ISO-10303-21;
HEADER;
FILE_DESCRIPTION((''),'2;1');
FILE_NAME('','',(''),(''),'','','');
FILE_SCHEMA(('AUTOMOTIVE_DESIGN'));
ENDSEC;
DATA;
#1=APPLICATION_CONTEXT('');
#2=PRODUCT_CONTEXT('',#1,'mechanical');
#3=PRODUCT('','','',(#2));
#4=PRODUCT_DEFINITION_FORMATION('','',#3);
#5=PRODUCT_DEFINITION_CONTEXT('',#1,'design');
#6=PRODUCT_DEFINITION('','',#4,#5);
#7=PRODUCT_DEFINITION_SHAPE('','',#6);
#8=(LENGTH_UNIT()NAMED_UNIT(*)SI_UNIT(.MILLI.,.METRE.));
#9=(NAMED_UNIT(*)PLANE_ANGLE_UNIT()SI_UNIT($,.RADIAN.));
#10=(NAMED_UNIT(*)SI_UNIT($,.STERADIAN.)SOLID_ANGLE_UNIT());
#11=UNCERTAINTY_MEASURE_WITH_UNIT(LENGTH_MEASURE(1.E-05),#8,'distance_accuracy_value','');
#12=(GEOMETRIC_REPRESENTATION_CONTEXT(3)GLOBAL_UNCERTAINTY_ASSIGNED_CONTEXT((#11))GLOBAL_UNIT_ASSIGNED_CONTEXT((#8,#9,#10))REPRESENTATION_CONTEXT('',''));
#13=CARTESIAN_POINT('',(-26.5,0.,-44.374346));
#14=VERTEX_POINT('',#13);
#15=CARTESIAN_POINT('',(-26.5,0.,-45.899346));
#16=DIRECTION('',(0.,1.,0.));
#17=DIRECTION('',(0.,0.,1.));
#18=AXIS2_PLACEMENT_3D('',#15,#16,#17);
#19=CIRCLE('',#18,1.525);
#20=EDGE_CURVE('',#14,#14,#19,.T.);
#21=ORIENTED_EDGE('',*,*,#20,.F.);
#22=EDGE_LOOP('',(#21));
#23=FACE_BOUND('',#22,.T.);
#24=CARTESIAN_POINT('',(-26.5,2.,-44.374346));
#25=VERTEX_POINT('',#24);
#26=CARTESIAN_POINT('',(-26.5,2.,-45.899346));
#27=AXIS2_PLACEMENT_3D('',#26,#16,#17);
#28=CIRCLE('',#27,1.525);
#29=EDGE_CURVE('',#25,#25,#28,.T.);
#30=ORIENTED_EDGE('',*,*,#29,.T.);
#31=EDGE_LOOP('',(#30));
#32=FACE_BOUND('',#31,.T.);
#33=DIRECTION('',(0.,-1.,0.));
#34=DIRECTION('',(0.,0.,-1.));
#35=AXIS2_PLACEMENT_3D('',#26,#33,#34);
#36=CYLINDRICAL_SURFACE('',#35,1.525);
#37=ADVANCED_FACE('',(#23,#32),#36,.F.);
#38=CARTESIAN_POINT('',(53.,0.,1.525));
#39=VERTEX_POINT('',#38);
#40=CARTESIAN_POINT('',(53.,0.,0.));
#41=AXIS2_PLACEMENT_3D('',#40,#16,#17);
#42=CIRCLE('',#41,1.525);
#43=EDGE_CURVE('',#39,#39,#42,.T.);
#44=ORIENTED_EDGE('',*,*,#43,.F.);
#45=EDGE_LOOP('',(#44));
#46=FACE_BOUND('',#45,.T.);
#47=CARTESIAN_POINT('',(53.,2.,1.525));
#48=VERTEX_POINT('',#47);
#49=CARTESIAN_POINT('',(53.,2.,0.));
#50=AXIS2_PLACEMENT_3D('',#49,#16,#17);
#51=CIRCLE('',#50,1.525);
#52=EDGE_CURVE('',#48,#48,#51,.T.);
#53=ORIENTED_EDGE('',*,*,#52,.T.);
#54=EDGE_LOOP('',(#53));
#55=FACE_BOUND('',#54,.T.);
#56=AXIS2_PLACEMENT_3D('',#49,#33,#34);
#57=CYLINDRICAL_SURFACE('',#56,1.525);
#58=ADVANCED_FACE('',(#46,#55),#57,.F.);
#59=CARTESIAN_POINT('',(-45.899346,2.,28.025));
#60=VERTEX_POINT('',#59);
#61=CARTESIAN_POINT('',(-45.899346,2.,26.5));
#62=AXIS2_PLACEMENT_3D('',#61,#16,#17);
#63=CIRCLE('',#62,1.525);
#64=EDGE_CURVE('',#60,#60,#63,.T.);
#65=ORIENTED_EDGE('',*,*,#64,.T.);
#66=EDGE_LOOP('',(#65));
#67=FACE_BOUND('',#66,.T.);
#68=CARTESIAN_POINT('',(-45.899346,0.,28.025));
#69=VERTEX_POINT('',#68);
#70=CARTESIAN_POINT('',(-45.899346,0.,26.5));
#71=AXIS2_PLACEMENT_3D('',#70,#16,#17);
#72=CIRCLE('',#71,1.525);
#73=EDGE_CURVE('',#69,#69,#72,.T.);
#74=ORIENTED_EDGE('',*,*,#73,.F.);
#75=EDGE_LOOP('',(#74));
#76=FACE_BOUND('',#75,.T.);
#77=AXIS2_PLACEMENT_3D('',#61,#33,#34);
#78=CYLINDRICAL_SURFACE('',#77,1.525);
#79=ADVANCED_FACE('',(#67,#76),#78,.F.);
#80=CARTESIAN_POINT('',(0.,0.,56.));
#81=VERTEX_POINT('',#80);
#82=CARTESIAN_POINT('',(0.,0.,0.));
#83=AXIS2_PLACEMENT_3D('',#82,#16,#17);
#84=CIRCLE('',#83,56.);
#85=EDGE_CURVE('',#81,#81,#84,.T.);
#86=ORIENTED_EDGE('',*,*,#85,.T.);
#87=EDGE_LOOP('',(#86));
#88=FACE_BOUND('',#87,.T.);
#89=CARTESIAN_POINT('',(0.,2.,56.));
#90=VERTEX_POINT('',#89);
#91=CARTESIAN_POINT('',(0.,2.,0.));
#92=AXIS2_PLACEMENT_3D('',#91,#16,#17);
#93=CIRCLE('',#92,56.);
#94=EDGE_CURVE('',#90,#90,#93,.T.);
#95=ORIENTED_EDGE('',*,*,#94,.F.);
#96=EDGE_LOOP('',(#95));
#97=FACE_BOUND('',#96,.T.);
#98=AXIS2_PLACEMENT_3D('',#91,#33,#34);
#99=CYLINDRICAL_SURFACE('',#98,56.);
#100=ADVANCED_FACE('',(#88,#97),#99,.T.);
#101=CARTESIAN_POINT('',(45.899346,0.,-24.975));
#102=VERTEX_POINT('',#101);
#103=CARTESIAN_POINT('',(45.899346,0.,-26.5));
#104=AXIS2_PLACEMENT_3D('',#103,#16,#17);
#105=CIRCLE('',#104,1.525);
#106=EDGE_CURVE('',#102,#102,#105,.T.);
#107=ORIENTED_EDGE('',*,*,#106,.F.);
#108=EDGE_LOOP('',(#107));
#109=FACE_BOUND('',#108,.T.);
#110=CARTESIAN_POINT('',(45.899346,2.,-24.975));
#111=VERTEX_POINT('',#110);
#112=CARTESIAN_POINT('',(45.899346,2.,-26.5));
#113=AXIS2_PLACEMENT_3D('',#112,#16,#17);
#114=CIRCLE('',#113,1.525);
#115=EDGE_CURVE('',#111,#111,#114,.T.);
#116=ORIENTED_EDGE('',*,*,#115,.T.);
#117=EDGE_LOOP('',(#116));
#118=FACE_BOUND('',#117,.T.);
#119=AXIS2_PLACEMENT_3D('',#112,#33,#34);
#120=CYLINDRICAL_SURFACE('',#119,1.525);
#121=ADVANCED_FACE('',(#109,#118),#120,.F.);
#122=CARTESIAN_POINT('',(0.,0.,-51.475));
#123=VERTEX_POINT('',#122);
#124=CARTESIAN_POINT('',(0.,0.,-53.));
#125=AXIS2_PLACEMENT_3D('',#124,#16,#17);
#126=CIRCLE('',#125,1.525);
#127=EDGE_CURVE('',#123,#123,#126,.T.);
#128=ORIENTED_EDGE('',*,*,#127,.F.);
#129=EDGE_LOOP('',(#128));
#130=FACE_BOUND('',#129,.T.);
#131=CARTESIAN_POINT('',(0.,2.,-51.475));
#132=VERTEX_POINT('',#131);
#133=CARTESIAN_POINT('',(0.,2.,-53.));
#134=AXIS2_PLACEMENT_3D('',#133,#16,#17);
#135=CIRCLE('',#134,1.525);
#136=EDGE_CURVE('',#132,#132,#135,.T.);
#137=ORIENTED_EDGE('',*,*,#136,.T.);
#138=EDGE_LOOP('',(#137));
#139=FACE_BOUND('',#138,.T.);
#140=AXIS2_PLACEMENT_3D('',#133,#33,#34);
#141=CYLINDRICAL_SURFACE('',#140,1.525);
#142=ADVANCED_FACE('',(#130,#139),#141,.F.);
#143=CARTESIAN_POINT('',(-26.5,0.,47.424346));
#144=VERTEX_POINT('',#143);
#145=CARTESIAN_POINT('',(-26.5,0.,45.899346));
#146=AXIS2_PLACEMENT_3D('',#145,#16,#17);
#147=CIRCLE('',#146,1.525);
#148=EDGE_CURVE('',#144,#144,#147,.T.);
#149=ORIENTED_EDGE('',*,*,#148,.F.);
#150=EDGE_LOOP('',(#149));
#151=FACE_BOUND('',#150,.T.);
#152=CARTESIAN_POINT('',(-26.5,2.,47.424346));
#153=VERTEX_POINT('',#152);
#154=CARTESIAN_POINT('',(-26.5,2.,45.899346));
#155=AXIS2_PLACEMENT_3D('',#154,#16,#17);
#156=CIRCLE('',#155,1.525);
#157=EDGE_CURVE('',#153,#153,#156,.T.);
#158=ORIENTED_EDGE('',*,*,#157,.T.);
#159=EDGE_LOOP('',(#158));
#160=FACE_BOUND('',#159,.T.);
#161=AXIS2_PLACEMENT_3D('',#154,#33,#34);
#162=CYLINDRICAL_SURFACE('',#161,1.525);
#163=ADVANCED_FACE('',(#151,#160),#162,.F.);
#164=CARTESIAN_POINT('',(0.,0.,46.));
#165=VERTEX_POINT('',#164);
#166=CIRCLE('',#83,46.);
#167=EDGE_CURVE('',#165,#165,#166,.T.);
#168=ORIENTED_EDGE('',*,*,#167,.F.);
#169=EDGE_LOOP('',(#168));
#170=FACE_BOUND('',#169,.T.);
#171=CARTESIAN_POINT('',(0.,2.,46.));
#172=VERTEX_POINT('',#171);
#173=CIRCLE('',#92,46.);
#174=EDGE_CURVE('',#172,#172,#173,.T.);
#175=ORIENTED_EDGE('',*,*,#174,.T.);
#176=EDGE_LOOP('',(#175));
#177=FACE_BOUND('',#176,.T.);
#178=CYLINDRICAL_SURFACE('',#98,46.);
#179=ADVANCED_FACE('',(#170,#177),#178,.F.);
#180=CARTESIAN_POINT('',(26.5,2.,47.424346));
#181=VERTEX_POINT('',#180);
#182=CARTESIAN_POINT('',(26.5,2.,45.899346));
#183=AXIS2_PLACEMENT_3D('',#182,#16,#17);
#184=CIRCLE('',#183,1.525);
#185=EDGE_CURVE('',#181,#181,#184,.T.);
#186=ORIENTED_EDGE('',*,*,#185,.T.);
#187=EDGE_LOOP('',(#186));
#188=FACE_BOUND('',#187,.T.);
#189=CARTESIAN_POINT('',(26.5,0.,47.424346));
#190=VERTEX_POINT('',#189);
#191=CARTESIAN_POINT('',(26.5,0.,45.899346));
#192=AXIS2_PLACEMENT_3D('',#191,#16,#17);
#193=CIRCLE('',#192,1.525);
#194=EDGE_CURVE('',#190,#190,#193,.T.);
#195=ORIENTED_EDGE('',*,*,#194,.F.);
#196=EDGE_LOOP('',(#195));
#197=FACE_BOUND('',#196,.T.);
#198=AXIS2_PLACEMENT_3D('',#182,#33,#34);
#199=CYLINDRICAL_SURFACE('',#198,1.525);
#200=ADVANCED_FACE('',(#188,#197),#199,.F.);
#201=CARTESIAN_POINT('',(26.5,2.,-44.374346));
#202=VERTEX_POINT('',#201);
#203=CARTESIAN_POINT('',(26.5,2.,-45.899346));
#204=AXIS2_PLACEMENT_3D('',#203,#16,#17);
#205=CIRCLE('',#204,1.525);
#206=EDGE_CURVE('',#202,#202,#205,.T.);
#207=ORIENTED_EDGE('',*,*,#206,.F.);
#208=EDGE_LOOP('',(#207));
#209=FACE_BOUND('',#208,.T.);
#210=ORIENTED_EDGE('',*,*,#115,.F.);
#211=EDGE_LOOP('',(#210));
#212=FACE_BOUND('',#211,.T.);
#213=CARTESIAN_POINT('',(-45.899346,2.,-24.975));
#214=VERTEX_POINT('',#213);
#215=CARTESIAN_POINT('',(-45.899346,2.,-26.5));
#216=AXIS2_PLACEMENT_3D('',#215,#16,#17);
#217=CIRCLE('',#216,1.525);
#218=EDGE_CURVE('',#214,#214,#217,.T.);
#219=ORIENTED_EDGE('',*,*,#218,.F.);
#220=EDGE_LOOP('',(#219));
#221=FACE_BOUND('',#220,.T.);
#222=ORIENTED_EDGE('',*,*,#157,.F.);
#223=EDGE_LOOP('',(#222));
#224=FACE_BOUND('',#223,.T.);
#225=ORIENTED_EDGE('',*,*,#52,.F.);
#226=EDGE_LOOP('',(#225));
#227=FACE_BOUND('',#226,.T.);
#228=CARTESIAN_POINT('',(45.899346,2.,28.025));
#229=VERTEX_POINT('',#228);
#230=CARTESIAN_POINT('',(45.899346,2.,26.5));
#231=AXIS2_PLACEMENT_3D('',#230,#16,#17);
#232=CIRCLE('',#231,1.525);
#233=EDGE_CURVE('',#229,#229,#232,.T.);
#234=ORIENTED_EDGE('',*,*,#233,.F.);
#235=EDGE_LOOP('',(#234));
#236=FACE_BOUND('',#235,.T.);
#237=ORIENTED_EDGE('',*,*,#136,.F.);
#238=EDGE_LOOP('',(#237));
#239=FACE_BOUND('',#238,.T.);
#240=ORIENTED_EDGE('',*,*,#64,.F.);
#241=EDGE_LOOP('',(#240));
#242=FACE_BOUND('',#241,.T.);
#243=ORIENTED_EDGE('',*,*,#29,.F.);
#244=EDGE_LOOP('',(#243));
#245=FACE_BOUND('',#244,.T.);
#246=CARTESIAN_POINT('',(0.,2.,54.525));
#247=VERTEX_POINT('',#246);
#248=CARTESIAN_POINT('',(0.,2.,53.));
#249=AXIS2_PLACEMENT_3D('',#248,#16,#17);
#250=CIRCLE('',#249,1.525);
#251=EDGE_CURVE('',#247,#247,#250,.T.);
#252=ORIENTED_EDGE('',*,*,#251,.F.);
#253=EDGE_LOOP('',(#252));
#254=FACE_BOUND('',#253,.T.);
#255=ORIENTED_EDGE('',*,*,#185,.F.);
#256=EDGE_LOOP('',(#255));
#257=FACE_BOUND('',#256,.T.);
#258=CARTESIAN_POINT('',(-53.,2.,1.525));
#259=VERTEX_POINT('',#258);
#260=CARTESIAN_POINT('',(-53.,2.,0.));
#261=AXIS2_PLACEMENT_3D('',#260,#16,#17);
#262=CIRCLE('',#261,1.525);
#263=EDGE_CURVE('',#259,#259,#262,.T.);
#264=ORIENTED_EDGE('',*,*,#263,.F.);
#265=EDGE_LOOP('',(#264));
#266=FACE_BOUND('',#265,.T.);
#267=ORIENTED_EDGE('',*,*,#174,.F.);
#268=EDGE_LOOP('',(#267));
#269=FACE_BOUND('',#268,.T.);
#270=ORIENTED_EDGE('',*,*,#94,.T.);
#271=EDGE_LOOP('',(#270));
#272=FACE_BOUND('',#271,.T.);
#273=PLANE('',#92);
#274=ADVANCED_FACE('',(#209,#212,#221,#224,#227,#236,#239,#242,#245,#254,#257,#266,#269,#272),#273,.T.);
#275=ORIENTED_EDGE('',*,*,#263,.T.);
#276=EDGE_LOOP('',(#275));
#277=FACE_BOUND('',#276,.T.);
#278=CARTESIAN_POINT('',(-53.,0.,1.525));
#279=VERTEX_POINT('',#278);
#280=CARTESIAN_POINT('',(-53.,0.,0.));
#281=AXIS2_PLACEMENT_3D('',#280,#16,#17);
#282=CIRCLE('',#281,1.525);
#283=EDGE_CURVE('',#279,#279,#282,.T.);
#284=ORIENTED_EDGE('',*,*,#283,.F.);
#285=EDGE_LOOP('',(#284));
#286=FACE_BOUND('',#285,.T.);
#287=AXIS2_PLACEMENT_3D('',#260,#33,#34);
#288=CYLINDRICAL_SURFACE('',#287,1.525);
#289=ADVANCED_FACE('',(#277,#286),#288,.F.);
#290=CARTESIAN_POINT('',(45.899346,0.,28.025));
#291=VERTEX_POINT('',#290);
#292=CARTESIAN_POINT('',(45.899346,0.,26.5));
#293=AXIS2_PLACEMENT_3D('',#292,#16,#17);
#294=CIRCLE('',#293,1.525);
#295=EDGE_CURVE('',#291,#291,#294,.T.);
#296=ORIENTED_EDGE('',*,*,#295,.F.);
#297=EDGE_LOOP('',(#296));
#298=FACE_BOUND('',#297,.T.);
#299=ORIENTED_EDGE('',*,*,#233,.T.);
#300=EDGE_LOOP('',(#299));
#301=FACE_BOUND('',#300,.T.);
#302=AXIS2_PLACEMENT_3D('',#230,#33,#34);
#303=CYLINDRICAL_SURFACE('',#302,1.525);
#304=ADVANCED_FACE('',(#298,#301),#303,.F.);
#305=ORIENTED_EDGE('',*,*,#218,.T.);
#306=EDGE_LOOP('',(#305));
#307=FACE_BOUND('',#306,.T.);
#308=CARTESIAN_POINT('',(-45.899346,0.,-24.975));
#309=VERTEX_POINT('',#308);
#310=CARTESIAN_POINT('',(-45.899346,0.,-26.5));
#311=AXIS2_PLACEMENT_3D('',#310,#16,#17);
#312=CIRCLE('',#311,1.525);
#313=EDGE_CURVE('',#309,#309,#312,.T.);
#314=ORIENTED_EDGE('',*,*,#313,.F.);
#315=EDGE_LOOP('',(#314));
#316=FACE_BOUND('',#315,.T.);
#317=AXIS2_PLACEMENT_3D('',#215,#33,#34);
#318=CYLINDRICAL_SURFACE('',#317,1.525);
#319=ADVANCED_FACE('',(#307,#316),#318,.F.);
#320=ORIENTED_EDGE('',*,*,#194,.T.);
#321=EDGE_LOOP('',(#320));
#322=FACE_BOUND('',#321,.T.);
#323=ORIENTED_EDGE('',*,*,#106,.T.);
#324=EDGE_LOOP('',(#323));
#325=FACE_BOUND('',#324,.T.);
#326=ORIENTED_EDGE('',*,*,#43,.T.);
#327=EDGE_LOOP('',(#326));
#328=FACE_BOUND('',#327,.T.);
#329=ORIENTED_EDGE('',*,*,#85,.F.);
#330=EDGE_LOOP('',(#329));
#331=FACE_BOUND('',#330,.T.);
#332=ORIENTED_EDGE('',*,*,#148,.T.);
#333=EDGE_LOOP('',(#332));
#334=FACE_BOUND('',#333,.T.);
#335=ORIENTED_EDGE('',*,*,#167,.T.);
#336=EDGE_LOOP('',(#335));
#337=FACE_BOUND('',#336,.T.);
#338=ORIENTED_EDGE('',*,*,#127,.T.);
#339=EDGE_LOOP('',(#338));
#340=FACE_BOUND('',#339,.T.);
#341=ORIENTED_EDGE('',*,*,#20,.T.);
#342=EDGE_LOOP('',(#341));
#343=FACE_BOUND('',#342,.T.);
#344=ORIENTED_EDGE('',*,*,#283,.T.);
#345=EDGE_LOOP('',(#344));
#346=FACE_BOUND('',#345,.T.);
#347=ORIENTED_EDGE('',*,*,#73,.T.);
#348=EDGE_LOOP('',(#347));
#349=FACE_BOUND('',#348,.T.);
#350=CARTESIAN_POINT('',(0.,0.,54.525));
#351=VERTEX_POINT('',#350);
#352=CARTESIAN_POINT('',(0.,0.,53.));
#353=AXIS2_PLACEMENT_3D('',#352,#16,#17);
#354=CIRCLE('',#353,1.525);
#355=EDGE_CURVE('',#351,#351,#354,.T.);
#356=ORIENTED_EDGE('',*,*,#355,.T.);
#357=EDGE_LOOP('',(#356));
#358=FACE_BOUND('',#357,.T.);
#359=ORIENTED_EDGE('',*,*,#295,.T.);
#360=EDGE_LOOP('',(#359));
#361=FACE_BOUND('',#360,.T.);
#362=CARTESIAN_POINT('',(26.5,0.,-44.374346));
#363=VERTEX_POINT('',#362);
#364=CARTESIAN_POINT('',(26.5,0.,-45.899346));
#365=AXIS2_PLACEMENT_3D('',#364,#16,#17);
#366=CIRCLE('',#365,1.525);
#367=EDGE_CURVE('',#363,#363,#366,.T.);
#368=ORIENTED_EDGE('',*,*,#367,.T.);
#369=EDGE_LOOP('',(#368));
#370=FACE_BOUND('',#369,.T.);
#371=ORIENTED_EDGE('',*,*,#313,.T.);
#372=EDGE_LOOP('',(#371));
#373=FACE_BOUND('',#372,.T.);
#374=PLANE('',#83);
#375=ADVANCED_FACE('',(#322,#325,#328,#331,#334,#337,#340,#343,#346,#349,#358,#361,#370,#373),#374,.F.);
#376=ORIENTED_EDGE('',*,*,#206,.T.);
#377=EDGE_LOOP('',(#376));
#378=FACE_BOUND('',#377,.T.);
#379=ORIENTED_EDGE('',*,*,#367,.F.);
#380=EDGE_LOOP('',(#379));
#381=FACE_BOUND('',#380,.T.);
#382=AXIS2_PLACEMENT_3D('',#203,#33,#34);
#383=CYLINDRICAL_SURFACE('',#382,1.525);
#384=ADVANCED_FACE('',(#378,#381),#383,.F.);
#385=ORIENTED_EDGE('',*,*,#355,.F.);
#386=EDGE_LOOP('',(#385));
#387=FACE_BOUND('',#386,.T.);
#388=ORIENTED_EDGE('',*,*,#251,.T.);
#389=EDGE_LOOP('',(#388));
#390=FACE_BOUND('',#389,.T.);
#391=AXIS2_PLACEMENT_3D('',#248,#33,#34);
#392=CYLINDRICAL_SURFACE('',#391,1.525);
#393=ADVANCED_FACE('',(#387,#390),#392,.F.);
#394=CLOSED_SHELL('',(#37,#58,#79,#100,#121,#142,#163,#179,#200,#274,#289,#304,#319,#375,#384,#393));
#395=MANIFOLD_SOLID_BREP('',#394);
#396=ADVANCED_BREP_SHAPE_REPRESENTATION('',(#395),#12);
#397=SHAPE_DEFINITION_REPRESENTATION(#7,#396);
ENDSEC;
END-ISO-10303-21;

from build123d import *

# Parameters (mm, degrees)
SKETCH_1_R      = 56
SKETCH_1_R_2    = 46
SKETCH_1_R_3    = 1.525
EXTRUDE_1_DEPTH = 2


with BuildPart() as part:
    # 草图1 → 凸台-拉伸1 (new body)
    with BuildSketch(Plane(origin=(0, 0, 0), x_dir=(1, 0, 0), z_dir=(0, 1, 0))):
        with Locations(Location((0, 0, 0), (0, 0, 270))):
            Circle(SKETCH_1_R)
        with Locations(Location((0, 0, 0), (0, 0, 270))):
            Circle(SKETCH_1_R_2, mode=Mode.SUBTRACT)
        with Locations(Location((-53, 0, 0), (0, 0, 270))):
            Circle(SKETCH_1_R_3, mode=Mode.SUBTRACT)
        with Locations(Location((-45.899346401, 26.5, 0), (0, 0, 270))):
            Circle(SKETCH_1_R_3, mode=Mode.SUBTRACT)
        with Locations(Location((-26.5, 45.899346401, 0), (0, 0, 270))):
            Circle(SKETCH_1_R_3, mode=Mode.SUBTRACT)
        with Locations(Location((0, 53, 0), (0, 0, 270))):
            Circle(SKETCH_1_R_3, mode=Mode.SUBTRACT)
        with Locations(Location((26.5, 45.899346401, 0), (0, 0, 270))):
            Circle(SKETCH_1_R_3, mode=Mode.SUBTRACT)
        with Locations(Location((45.899346401, 26.5, 0), (0, 0, 270))):
            Circle(SKETCH_1_R_3, mode=Mode.SUBTRACT)
        with Locations(Location((53, 0, 0), (0, 0, 270))):
            Circle(SKETCH_1_R_3, mode=Mode.SUBTRACT)
        with Locations(Location((45.899346401, -26.5, 0), (0, 0, 270))):
            Circle(SKETCH_1_R_3, mode=Mode.SUBTRACT)
        with Locations(Location((26.5, -45.899346401, 0), (0, 0, 270))):
            Circle(SKETCH_1_R_3, mode=Mode.SUBTRACT)
        with Locations(Location((0, -53, 0), (0, 0, 270))):
            Circle(SKETCH_1_R_3, mode=Mode.SUBTRACT)
        with Locations(Location((-26.5, -45.899346401, 0), (0, 0, 270))):
            Circle(SKETCH_1_R_3, mode=Mode.SUBTRACT)
        with Locations(Location((-45.899346401, -26.5, 0), (0, 0, 270))):
            Circle(SKETCH_1_R_3, mode=Mode.SUBTRACT)
    extrude(amount=EXTRUDE_1_DEPTH)


solid = part.part
